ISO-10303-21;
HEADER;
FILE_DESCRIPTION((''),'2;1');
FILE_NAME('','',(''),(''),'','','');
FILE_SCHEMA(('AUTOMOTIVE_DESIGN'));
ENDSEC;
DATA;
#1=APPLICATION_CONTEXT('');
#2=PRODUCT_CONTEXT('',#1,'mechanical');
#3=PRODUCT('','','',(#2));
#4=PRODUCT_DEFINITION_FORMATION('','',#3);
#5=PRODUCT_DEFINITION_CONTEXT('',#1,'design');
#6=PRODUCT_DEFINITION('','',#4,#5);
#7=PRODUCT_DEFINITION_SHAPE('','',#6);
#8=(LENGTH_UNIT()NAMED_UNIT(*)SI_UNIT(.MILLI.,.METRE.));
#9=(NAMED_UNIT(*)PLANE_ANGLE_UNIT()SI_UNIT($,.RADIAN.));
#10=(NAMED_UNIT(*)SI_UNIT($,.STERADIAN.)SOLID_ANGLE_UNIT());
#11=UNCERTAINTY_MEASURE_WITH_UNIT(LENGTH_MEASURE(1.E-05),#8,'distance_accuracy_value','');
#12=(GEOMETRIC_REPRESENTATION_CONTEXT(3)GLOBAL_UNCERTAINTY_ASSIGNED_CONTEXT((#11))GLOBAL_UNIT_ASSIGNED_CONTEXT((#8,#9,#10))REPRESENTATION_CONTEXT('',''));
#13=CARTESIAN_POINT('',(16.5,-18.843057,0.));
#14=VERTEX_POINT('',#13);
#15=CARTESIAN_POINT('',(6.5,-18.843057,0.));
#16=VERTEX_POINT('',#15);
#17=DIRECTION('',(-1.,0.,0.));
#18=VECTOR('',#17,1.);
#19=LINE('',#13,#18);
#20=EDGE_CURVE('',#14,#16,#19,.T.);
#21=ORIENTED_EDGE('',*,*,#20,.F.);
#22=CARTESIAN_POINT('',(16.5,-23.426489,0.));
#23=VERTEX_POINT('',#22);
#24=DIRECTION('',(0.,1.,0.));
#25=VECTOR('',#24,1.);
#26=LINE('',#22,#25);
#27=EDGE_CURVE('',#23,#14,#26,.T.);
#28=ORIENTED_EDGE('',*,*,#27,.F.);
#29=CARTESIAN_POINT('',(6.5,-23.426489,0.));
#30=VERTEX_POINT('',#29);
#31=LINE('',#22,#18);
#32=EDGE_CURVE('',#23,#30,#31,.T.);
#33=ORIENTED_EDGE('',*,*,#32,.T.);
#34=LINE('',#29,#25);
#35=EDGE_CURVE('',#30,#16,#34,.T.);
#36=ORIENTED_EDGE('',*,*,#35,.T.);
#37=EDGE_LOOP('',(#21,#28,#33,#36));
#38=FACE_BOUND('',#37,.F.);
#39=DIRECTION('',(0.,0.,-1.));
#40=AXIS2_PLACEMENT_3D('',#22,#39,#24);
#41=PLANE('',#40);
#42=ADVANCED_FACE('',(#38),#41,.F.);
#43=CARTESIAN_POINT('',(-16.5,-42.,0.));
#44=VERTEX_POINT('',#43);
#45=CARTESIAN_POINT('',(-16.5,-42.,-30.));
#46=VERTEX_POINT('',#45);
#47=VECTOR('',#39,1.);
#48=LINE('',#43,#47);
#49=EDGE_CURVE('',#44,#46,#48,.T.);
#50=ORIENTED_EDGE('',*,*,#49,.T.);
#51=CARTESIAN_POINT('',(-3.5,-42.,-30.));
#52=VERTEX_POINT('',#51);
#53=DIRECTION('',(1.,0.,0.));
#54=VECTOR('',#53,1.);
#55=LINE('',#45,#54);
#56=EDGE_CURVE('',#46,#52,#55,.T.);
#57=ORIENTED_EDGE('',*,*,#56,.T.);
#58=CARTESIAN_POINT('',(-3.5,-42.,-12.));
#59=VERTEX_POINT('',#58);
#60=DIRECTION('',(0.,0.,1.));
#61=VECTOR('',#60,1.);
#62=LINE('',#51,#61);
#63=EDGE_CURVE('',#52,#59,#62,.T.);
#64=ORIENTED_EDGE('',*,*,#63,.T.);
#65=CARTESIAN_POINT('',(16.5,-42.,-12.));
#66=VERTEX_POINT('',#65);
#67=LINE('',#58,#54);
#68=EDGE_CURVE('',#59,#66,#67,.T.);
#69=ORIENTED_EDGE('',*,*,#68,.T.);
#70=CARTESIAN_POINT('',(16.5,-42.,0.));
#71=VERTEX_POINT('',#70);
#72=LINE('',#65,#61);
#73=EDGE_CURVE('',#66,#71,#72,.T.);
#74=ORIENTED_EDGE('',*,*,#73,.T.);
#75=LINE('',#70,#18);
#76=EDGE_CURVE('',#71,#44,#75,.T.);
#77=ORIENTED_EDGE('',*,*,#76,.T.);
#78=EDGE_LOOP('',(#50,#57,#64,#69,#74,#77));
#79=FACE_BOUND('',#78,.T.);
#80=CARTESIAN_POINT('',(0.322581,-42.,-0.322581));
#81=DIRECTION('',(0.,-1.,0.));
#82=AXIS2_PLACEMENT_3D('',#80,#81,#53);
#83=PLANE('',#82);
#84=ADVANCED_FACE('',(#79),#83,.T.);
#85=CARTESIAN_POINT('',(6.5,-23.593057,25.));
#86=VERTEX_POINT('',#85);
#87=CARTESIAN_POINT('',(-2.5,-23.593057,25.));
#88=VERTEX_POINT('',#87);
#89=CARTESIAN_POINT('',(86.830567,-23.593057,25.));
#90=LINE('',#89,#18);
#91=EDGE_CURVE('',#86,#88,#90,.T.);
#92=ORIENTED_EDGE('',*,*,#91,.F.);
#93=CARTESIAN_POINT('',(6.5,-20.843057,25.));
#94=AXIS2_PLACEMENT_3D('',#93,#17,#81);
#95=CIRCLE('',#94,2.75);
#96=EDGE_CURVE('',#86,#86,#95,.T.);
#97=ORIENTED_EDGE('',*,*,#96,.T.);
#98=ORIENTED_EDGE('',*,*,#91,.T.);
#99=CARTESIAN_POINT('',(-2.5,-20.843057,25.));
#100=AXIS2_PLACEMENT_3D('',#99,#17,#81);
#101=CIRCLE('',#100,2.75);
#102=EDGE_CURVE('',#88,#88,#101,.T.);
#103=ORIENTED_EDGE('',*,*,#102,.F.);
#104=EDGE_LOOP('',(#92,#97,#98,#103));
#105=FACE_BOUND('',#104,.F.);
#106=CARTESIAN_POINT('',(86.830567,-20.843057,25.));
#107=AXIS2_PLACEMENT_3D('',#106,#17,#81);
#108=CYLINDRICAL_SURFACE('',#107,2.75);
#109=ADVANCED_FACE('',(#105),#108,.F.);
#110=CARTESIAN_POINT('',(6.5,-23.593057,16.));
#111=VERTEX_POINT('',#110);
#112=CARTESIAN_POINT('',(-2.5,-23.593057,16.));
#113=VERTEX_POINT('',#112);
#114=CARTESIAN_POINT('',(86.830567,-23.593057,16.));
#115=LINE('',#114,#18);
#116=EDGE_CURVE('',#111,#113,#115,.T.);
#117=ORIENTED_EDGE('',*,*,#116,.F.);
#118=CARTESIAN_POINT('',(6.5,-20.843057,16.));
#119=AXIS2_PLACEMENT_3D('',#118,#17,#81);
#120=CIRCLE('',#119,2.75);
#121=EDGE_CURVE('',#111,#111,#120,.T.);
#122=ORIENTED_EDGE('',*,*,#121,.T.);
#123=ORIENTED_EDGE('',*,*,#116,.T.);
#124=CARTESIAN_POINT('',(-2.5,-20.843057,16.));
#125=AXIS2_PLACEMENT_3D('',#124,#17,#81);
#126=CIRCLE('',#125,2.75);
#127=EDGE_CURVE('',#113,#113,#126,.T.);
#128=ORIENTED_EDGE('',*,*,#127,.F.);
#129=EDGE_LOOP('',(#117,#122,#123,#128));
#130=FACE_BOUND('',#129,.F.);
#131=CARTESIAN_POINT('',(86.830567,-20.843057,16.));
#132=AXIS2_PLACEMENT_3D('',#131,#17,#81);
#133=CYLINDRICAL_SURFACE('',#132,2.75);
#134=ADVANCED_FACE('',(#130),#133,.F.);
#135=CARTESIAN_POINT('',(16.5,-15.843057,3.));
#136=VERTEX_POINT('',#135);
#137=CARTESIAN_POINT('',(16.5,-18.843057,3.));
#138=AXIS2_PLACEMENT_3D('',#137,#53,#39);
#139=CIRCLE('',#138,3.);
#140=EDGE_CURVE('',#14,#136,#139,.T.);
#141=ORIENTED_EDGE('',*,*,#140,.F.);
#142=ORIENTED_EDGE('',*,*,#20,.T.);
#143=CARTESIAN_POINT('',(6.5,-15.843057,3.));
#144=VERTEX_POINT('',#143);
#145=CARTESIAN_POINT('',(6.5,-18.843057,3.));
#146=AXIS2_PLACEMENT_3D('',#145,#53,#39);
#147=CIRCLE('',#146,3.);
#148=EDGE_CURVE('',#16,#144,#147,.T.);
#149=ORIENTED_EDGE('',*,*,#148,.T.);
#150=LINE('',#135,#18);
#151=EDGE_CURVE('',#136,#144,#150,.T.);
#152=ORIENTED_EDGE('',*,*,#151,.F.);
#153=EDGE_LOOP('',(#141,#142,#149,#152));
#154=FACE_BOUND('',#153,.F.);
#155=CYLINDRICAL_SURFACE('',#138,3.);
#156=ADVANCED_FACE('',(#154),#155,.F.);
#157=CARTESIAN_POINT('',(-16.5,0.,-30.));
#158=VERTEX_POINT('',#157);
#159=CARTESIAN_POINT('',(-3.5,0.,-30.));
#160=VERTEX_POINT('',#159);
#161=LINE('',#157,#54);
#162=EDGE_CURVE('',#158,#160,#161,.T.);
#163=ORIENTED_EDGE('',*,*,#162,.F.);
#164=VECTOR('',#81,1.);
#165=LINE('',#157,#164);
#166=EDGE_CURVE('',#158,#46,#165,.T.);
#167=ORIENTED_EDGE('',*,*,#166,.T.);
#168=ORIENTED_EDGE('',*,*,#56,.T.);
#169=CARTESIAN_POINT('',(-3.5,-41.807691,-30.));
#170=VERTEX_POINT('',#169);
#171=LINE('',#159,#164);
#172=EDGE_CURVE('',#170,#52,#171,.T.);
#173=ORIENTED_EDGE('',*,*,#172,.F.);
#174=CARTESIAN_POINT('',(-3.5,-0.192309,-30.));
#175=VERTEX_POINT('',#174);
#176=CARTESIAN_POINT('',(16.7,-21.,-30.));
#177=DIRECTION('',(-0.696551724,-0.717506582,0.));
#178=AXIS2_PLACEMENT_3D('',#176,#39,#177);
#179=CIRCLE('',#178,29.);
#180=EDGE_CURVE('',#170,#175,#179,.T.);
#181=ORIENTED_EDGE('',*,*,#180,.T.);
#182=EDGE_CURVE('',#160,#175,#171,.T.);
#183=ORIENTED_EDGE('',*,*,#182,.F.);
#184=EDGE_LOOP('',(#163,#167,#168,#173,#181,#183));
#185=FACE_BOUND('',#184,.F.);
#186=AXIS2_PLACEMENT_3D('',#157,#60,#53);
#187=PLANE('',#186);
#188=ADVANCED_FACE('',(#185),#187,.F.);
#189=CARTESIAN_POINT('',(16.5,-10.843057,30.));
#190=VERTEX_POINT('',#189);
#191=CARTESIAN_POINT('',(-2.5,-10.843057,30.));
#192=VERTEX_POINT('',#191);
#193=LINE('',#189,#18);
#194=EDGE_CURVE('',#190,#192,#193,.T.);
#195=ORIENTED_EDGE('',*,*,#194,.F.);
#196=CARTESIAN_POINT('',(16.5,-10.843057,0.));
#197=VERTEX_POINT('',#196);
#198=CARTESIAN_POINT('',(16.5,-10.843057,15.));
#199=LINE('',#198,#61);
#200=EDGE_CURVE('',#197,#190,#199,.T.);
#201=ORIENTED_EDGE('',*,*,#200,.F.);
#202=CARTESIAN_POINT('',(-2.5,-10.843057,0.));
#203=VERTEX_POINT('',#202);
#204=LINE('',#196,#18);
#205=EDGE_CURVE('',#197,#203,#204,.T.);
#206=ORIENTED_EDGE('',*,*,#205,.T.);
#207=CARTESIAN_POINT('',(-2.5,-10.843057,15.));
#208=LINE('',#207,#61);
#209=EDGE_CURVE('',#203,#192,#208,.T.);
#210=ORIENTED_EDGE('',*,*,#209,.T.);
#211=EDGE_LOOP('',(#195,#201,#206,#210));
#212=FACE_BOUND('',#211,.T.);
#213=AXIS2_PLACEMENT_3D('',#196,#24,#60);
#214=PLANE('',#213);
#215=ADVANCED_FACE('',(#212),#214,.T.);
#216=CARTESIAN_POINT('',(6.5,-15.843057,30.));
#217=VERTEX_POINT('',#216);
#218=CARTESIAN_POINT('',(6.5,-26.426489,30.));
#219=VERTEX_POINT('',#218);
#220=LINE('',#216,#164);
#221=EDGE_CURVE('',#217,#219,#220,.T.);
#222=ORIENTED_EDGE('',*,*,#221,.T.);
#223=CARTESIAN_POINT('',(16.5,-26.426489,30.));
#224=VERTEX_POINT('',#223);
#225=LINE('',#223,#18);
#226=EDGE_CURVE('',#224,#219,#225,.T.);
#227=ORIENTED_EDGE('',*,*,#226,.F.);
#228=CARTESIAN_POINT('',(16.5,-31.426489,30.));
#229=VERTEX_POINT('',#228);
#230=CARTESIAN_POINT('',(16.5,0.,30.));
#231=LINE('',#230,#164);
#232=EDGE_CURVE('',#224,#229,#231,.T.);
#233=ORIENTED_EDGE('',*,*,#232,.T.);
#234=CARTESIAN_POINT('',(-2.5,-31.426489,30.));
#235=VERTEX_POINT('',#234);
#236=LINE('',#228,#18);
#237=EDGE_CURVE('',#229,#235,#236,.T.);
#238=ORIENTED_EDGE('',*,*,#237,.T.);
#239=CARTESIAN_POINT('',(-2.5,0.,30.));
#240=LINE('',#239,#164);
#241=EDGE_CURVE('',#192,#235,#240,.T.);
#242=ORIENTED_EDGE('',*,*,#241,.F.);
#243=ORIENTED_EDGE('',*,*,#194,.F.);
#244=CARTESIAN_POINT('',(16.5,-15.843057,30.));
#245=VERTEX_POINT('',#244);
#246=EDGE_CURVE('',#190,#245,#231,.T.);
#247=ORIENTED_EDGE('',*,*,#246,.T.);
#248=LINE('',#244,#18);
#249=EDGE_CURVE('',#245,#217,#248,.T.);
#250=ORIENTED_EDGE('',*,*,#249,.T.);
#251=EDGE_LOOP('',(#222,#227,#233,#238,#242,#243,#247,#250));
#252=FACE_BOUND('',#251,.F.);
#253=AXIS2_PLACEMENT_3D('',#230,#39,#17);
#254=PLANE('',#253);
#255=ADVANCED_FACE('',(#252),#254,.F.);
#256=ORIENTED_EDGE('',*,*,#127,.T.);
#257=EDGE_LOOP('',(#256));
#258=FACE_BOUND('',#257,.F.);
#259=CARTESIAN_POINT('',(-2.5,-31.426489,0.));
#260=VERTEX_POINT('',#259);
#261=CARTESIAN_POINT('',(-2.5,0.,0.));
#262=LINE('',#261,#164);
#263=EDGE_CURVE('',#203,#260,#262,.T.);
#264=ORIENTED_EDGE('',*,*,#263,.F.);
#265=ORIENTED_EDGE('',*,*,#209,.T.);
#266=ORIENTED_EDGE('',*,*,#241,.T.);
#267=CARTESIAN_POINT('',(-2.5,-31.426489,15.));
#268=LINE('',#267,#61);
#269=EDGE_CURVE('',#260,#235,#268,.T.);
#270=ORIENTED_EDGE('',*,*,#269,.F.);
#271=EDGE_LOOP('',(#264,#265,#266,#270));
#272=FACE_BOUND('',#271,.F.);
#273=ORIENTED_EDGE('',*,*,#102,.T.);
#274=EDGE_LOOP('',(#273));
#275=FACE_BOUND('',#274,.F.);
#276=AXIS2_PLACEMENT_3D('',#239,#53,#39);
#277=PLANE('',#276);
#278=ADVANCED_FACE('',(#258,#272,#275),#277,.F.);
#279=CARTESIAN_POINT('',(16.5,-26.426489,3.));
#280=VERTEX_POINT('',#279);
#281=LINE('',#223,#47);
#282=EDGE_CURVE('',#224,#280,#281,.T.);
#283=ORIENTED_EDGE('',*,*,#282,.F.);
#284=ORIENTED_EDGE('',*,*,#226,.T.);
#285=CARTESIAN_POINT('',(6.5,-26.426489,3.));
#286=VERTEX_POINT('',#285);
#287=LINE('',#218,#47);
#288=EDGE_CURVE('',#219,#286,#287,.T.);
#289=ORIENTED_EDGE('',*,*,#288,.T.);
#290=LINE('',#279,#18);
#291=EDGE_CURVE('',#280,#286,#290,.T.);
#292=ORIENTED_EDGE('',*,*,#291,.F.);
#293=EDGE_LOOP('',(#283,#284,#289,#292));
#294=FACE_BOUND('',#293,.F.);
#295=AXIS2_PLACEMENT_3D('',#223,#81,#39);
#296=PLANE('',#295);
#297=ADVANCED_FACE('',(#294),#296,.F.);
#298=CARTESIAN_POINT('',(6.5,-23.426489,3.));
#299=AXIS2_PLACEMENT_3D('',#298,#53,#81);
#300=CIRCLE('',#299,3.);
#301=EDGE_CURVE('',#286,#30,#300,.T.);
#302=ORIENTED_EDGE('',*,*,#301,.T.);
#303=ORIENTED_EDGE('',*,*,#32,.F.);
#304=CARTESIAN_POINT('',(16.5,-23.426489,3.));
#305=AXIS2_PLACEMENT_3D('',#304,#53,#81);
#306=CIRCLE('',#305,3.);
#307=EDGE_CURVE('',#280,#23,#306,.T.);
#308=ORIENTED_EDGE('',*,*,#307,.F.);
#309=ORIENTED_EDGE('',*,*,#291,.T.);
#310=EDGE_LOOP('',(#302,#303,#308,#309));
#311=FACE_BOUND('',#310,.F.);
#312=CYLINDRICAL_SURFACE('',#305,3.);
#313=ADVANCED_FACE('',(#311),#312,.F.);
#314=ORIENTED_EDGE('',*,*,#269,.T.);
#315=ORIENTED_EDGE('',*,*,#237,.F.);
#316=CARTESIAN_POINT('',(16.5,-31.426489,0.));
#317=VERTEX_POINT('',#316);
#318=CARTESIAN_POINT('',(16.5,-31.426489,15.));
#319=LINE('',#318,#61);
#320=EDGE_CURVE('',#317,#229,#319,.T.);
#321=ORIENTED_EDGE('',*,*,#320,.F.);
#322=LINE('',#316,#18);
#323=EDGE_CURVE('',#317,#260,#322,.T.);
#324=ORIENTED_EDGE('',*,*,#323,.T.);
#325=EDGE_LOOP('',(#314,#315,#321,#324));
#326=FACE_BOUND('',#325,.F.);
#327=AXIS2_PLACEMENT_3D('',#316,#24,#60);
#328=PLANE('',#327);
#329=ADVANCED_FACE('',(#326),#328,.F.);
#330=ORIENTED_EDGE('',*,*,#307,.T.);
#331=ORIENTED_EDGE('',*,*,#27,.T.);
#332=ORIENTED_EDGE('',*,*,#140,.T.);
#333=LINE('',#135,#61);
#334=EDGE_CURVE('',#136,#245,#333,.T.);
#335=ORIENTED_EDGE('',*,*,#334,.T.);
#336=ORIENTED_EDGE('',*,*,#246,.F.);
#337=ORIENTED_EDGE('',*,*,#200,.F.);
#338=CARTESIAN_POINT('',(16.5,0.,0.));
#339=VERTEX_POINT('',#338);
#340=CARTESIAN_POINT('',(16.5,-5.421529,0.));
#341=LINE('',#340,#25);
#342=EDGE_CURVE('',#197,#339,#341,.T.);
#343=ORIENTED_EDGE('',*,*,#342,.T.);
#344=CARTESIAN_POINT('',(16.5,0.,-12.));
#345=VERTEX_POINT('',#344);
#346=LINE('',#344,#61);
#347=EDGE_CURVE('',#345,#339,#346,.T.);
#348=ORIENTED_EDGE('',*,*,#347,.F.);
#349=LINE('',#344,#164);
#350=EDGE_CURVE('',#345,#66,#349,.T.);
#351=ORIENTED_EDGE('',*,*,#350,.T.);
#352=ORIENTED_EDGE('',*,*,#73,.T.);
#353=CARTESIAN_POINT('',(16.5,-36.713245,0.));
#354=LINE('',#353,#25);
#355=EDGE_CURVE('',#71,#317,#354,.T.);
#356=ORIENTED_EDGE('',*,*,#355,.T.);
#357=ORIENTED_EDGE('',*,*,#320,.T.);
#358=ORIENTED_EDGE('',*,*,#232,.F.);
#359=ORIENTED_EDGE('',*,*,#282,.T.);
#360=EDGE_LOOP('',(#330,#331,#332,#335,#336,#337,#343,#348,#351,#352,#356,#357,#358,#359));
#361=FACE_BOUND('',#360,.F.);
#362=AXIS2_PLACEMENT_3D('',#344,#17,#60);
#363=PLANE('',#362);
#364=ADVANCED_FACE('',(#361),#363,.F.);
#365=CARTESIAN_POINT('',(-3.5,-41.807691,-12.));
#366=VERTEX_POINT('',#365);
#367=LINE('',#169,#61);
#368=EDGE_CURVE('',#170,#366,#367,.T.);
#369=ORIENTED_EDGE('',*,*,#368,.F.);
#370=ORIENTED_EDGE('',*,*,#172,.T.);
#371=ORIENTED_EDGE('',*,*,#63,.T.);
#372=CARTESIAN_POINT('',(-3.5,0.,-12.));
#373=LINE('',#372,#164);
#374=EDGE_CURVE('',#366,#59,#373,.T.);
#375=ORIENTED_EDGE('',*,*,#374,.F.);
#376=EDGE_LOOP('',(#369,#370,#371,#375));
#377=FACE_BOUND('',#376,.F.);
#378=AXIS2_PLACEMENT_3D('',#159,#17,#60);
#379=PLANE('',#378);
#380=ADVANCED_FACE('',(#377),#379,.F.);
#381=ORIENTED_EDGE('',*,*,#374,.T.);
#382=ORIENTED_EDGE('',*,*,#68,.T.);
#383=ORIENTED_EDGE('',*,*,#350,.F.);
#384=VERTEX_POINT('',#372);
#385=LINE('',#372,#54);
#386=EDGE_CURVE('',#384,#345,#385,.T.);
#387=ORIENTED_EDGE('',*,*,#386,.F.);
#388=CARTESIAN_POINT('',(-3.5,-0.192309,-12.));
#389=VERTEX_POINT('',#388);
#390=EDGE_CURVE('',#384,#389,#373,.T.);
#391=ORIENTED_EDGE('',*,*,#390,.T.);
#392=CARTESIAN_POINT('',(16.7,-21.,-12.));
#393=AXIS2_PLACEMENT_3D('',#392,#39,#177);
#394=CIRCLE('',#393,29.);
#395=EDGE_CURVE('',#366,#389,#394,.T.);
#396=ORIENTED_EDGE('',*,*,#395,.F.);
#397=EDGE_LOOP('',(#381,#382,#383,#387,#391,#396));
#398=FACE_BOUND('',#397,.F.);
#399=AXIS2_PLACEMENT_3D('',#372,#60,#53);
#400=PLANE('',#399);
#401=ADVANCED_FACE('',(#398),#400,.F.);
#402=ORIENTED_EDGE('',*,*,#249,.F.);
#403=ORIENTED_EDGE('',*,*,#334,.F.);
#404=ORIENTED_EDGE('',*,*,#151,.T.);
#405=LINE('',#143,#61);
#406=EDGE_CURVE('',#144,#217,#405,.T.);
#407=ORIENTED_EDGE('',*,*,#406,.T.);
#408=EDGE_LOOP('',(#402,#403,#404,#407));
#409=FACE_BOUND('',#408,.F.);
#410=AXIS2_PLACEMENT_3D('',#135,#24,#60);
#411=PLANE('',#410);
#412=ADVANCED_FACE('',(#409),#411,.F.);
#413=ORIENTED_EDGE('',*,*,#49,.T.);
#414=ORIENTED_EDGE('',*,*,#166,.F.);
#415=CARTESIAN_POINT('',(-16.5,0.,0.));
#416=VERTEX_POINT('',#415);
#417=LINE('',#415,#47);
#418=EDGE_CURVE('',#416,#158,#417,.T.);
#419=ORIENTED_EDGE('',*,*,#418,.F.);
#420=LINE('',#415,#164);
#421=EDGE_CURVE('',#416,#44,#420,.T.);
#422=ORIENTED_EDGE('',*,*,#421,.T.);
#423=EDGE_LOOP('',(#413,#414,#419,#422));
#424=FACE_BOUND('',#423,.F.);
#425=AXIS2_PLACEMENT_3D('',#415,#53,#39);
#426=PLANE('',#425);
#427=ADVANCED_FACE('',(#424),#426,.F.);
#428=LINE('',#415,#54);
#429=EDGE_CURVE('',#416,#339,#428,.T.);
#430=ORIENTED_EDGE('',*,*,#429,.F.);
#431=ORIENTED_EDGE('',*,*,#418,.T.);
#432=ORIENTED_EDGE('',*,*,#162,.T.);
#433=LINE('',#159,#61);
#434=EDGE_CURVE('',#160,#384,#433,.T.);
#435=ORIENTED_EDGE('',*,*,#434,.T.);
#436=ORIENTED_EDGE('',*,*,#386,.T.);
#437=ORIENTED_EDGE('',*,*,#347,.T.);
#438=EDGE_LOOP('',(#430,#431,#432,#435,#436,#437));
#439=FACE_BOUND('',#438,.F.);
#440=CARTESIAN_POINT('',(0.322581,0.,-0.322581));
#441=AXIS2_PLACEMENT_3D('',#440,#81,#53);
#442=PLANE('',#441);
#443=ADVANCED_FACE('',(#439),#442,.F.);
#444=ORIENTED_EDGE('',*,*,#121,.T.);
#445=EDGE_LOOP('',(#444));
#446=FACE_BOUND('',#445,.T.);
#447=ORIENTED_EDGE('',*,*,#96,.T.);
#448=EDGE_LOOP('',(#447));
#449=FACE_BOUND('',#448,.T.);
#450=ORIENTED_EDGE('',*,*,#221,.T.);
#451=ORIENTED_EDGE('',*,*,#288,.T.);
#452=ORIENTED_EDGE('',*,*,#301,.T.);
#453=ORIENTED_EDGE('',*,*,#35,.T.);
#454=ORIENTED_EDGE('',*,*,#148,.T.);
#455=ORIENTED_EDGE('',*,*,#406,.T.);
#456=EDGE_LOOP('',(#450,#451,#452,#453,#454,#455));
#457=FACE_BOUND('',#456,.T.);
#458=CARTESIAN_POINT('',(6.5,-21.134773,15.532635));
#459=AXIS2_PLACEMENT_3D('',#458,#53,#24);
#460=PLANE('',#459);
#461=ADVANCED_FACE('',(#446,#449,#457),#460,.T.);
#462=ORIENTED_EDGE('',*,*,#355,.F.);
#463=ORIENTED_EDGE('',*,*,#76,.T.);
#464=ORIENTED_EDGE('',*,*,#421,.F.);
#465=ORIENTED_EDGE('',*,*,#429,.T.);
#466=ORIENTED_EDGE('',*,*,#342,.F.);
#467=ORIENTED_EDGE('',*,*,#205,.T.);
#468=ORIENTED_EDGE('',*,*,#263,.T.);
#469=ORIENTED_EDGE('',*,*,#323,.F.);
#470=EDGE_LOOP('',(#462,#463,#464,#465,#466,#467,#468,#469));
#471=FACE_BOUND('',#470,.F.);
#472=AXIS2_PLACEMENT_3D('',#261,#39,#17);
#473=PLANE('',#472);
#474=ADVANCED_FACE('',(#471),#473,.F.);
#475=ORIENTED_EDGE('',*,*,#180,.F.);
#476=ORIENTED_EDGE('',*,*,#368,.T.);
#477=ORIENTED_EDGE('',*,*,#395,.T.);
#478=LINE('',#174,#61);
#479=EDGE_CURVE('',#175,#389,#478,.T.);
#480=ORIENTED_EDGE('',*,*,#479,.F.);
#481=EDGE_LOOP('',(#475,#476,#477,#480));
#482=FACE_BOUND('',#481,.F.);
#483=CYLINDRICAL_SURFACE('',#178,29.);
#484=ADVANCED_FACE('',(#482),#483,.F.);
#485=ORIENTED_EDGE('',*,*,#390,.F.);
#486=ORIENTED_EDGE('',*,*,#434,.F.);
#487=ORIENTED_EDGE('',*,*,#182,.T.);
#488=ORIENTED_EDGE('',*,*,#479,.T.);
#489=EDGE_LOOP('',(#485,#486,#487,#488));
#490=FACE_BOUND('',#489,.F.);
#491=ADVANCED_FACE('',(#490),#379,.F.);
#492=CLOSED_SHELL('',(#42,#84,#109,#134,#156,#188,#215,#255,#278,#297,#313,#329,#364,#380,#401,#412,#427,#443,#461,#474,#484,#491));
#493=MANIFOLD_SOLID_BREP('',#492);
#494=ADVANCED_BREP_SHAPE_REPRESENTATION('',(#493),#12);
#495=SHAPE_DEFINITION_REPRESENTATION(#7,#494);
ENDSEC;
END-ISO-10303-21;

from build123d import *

# Parameters (mm, degrees)
F1_DEPTH = 42
F3_DEPTH = 18
F4_W     = 10.5735106468
F4_H     = 30
F4_W_2   = 10.8430571854
F5_DEPTH = 19
F7_DEPTH = 10
F9_D     = 5.5


with BuildPart() as f1:
    # F0 (on Front) → F1 (new body)
    with BuildSketch(Plane.XZ):
        Polygon((-16.5, -30), (-3.5, -30), (-3.5, -12), (16.5, -12), (16.5, 30), (-2.5, 30), (-2.5, 0), (-16.5, 0), align=None)
    extrude(amount=F1_DEPTH)

    # F2 (on face) → F3 (cut)
    with BuildSketch(Plane(origin=(0, 0, -30), x_dir=(1, 0, 0), z_dir=(0, 0, -1))):
        with BuildLine():
            Line((-3.5, 0.1923091142), (-3.5, 41.8076908858))
            ThreePointArc((-3.5, 41.8076908858), (-12.3, 21), (-3.5, 0.1923091142))
        make_face()
    extrude(amount=-F3_DEPTH, mode=Mode.SUBTRACT)

    # F4 (on face) → F5 (cut, through all)
    with BuildSketch(Plane.YZ.offset(16.5)):
        with Locations((-36.7132446766, 15)):
            Rectangle(F4_W, F4_H)
        with Locations((-5.4215285927, 15)):
            Rectangle(F4_W_2, F4_H)
    extrude(amount=-F5_DEPTH, mode=Mode.SUBTRACT)

    # F6 (on face) → F7 (cut)
    with BuildSketch(Plane.YZ.offset(16.5)):
        with BuildLine():
            Line((-15.8430571854, 30), (-26.4264893532, 30))
            Line((-26.4264893532, 30), (-26.4264893532, 3))
            ThreePointArc((-26.4264893532, 3), (-25.5478096967, 0.8786796564), (-23.4264893532, 0))
            Line((-23.4264893532, 0), (-18.8430571854, 0))
            ThreePointArc((-18.8430571854, 0), (-16.7217368419, 0.8786796564), (-15.8430571854, 3))
            Line((-15.8430571854, 3), (-15.8430571854, 30))
        make_face()
    extrude(amount=-F7_DEPTH, mode=Mode.SUBTRACT)

    # F9 (through all)
    with Locations(Plane.YZ.offset(6.5)):
        with Locations((-20.8430571854, 25), (-20.8430571854, 16)):
            Hole(F9_D / 2)


solid = f1.part
